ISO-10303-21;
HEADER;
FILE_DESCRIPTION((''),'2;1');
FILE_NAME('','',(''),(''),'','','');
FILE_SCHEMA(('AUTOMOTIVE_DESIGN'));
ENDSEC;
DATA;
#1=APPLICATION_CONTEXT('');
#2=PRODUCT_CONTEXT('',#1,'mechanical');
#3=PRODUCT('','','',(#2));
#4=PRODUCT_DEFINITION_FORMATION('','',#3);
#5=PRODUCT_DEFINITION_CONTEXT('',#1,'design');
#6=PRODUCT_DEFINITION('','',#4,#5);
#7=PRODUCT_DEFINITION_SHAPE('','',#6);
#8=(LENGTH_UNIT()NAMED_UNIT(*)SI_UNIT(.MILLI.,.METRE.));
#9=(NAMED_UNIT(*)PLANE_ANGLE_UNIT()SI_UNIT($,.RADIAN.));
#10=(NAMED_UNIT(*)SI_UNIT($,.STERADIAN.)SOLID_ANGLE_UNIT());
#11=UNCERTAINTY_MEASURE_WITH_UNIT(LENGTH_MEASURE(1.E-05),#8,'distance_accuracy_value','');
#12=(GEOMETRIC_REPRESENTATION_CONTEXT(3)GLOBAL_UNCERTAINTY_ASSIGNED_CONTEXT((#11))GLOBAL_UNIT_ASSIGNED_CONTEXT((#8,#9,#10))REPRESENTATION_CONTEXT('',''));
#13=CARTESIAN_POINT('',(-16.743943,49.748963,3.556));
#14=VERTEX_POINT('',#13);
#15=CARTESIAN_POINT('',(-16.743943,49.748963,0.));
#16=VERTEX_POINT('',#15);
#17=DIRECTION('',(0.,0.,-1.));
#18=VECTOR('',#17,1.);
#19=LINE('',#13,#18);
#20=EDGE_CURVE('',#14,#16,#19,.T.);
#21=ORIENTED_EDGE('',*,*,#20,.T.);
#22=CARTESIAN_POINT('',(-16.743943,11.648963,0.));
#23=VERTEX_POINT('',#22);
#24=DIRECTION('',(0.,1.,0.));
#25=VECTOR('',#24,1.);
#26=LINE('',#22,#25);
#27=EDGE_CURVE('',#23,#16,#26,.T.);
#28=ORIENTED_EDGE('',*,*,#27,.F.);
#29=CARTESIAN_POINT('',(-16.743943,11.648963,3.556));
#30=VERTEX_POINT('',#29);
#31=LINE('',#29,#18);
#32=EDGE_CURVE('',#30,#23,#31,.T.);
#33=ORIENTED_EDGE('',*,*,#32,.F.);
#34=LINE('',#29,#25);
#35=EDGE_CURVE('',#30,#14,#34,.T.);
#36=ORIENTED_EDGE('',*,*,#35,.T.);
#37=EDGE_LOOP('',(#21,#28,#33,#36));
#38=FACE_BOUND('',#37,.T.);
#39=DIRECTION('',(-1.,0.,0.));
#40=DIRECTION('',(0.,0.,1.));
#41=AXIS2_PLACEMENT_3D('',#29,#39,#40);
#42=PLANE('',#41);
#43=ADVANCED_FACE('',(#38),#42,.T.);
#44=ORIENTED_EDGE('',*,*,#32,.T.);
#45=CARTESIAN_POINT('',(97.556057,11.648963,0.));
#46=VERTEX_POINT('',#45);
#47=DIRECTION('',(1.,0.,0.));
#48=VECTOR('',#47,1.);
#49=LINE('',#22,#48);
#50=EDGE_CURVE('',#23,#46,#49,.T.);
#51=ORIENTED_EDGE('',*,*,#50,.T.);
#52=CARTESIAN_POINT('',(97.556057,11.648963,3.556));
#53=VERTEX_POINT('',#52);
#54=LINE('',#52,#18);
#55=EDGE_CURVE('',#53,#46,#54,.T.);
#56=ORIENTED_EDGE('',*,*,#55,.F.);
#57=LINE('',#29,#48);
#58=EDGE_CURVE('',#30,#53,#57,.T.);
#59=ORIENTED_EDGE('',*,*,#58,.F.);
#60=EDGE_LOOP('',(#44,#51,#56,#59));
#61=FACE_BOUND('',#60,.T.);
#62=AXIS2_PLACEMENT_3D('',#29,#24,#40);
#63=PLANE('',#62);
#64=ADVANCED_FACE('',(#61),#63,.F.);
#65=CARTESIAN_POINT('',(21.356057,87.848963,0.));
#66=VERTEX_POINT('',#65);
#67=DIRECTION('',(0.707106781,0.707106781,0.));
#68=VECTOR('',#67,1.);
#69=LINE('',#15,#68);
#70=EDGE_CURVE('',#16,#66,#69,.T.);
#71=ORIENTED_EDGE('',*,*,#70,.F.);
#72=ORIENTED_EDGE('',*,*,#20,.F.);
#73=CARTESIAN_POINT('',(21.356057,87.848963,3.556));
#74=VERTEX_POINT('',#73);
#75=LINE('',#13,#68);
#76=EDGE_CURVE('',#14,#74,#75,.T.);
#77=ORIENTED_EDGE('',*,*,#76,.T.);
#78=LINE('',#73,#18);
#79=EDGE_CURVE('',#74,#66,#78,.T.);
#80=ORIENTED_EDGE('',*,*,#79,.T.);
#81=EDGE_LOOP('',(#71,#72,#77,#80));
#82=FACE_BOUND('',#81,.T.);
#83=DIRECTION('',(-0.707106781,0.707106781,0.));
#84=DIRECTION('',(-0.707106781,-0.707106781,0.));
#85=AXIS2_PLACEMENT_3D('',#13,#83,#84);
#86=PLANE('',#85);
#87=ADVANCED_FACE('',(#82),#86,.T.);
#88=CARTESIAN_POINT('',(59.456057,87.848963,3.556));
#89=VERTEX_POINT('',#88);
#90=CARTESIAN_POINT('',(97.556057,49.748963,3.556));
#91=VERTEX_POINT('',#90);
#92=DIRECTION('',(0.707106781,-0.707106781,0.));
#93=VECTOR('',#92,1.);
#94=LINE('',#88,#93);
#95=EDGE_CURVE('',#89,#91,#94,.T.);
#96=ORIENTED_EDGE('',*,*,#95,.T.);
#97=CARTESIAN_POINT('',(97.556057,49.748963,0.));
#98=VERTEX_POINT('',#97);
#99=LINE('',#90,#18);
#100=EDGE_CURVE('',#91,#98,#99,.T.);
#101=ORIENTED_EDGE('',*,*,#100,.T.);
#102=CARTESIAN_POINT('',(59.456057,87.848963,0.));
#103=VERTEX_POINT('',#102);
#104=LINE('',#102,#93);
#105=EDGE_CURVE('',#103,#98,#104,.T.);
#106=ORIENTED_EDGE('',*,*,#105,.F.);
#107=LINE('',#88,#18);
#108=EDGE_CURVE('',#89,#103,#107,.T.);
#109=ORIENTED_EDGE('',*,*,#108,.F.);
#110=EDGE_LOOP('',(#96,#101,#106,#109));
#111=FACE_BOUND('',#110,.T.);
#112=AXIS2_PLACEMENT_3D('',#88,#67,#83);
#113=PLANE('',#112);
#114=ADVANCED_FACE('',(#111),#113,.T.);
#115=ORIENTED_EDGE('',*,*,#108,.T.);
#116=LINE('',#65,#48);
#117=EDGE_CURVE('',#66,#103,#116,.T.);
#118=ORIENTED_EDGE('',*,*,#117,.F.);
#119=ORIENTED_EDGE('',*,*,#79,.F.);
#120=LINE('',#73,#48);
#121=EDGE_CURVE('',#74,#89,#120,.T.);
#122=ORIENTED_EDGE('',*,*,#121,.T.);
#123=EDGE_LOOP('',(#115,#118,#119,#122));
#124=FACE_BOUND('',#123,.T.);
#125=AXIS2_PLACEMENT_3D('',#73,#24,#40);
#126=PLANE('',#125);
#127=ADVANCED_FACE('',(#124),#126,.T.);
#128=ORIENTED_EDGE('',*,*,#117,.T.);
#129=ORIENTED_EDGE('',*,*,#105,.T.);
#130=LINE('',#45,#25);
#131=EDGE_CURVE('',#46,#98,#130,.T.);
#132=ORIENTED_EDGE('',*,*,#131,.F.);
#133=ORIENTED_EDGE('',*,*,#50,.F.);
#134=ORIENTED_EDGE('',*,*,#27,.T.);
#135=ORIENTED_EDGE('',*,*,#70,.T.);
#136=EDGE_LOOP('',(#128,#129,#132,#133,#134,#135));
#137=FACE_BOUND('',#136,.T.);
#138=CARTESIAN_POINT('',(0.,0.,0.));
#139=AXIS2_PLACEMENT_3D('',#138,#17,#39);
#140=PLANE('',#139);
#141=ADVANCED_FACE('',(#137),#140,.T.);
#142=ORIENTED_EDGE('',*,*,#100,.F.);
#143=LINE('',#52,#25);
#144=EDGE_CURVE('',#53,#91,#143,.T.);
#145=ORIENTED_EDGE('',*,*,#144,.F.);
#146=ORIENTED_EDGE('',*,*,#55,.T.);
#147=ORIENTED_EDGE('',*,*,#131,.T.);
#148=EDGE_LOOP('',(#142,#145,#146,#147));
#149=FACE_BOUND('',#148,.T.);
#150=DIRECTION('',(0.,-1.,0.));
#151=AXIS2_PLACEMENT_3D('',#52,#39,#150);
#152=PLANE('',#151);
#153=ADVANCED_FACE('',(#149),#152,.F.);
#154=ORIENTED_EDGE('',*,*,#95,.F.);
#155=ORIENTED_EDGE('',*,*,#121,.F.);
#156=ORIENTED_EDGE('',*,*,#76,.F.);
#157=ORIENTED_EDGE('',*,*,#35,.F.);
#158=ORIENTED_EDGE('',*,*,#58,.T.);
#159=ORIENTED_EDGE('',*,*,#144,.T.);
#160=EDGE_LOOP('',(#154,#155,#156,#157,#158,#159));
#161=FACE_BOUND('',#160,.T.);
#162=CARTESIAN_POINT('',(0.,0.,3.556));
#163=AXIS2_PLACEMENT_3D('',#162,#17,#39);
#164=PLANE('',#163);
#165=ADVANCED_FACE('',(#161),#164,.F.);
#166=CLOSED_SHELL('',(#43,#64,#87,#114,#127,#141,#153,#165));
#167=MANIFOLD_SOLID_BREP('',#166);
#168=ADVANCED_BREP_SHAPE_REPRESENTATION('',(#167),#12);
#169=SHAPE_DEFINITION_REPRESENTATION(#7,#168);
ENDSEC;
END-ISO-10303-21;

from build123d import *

# Parameters (mm, degrees)
BOSS_EXTRUDE1_DEPTH = 3.556


with BuildPart() as part:
    # Sketch2 → Boss-Extrude1 (new body)
    with BuildSketch(Plane.XY):
        Polygon((-16.743942789, 49.748963039), (21.356057211, 87.848963039), (59.456057211, 87.848963039), (97.556057211, 49.748963039), (97.556057211, 11.648963039), (-16.743942789, 11.648963039), align=None)
    extrude(amount=BOSS_EXTRUDE1_DEPTH)


solid = part.part
